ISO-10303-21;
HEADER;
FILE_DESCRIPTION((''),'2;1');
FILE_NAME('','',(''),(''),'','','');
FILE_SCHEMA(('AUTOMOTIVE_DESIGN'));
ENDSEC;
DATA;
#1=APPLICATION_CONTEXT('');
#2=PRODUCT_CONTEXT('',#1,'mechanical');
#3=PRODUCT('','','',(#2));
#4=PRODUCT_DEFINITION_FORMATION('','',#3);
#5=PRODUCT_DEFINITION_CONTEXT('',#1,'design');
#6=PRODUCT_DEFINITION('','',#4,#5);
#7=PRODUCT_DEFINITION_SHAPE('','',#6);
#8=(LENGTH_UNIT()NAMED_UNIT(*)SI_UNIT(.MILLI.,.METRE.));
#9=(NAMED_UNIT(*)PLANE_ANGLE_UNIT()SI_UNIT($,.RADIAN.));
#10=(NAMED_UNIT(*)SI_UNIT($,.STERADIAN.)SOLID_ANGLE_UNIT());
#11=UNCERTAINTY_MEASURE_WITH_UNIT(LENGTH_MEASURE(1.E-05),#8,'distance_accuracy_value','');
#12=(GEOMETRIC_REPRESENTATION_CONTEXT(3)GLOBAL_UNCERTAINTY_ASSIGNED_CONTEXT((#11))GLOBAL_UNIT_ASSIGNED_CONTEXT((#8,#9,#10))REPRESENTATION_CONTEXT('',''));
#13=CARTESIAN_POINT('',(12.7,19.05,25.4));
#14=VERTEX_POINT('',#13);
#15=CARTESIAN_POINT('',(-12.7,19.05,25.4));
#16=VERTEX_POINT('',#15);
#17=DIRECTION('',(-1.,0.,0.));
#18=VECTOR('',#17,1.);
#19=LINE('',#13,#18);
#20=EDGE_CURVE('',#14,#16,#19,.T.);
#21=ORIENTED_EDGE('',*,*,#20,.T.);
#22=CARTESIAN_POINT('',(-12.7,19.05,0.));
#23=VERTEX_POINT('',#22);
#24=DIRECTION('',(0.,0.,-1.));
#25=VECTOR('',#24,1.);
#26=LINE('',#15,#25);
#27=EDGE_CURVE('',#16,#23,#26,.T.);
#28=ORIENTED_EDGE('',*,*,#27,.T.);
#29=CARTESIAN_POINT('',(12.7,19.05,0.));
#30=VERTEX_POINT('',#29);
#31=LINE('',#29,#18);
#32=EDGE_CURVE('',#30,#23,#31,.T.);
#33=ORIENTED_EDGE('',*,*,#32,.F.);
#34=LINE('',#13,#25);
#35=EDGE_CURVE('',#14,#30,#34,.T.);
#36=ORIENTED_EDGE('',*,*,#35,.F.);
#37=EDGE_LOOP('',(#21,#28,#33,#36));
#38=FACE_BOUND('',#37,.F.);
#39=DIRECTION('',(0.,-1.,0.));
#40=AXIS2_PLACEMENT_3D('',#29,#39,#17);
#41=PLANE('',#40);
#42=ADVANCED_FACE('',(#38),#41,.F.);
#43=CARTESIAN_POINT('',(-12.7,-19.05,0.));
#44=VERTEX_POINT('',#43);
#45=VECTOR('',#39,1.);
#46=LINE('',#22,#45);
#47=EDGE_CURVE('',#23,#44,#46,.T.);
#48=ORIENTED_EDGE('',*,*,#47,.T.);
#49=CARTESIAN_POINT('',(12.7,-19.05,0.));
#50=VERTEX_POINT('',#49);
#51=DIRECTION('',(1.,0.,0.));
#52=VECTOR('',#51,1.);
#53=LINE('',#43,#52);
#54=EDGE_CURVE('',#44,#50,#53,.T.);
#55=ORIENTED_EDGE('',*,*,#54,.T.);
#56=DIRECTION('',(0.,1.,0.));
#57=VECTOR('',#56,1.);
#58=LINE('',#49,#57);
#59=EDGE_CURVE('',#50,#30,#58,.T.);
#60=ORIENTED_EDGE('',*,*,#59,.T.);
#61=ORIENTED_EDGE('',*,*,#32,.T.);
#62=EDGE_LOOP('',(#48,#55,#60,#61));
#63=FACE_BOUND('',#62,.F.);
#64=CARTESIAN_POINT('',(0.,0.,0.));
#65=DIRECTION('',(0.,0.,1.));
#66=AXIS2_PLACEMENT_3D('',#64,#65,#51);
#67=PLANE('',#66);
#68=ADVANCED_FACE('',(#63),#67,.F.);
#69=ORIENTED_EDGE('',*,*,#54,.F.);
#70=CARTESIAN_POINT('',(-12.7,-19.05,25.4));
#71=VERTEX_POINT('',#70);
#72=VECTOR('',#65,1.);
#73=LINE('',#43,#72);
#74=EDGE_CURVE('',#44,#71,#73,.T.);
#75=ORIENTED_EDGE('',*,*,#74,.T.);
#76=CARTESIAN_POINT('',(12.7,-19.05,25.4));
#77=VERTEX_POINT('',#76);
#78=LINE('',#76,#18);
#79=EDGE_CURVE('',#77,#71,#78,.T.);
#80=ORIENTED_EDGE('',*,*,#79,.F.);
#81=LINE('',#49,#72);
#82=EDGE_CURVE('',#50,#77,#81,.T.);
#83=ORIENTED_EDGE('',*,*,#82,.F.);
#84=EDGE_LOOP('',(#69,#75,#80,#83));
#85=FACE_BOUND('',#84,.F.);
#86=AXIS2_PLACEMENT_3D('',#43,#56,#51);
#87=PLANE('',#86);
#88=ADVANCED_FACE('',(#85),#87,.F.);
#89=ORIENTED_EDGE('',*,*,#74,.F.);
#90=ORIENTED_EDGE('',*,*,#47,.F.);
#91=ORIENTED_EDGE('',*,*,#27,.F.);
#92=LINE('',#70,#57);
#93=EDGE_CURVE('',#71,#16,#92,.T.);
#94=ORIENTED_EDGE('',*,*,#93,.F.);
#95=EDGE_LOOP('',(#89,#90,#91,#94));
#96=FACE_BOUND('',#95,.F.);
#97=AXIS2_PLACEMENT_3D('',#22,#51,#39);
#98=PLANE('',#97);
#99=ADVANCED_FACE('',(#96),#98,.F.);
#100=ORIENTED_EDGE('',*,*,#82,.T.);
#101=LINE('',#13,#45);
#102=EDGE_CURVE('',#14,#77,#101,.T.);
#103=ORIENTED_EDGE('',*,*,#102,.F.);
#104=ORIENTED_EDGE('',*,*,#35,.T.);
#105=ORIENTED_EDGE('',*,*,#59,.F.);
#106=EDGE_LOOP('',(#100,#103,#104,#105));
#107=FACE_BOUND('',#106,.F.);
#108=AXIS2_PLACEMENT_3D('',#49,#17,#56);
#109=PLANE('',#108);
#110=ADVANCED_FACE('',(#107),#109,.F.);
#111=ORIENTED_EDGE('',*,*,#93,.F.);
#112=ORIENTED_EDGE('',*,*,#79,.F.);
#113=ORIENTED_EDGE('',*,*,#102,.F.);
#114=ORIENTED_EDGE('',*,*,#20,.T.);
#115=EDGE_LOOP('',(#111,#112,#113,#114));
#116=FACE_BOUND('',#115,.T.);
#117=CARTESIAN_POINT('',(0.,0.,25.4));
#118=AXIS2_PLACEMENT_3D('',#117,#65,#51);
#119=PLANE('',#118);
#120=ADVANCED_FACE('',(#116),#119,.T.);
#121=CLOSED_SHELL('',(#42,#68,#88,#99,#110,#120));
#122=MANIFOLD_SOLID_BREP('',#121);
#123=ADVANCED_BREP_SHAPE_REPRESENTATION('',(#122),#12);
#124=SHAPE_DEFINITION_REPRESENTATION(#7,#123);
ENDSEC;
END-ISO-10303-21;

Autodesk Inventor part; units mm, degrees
ref_plane "YZ Plane" through (0, 0, 0) normal (1, 0, 0) x (0, 1, 0)
ref_plane "XZ Plane" through (0, 0, 0) normal (0, 1, 0) x (-1, 0, 0)
ref_plane "XY Plane" through (0, 0, 0) normal (0, 0, 1) x (1, 0, 0)
sketch "Sketch2" plane through (0, 0, 0) normal (0, 0, 1) x (1, 0, 0)
  point P0 (0, 0)
sketch "Sketch3" plane through (0, 0, 0) normal (0, 0, 1) x (1, 0, 0)
  line L0 (-12.7, -19.05) -> (12.7, -19.05)
  line L1 (12.7, -19.05) -> (12.7, 19.05)
  line L2 (12.7, 19.05) -> (-12.7, 19.05)
  line L3 (-12.7, 19.05) -> (-12.7, -19.05)
  line L4 (-12.7, -19.05) -> (12.7, 19.05) construction
  line L5 (12.7, -19.05) -> (-12.7, 19.05) construction
  point P0 (0, 0)
  dimension "d4" = 38.1
  dimension "d5" = 25.4
extrude "Extrusion2" add sketch "Sketch3" along normal blind 12.7
sketch "Sketch4" plane through (0, 0, 12.7) normal (0, 0, 1) x (1, 0, 0)
  line L0 (12.7, 19.05) -> (-12.7, 19.05) projected
  line L1 (12.7, -19.05) -> (-12.7, -19.05)
  line L2 (-12.7, -19.05) -> (-12.7, 19.05)
  line L3 (-12.7, 19.05) -> (12.7, 19.05)
  line L4 (12.7, 19.05) -> (12.7, -19.05)
  line L5 (12.7, -19.05) -> (-12.7, 19.05) construction
  line L6 (-12.7, -19.05) -> (12.7, 19.05) construction
  point P0 (0, 0)
  dimension "d8" = 25.4
extrude "Extrusion3" add sketch "Sketch4" along normal blind 12.7
properties part number "Back slide plate and side bar attatchment"
